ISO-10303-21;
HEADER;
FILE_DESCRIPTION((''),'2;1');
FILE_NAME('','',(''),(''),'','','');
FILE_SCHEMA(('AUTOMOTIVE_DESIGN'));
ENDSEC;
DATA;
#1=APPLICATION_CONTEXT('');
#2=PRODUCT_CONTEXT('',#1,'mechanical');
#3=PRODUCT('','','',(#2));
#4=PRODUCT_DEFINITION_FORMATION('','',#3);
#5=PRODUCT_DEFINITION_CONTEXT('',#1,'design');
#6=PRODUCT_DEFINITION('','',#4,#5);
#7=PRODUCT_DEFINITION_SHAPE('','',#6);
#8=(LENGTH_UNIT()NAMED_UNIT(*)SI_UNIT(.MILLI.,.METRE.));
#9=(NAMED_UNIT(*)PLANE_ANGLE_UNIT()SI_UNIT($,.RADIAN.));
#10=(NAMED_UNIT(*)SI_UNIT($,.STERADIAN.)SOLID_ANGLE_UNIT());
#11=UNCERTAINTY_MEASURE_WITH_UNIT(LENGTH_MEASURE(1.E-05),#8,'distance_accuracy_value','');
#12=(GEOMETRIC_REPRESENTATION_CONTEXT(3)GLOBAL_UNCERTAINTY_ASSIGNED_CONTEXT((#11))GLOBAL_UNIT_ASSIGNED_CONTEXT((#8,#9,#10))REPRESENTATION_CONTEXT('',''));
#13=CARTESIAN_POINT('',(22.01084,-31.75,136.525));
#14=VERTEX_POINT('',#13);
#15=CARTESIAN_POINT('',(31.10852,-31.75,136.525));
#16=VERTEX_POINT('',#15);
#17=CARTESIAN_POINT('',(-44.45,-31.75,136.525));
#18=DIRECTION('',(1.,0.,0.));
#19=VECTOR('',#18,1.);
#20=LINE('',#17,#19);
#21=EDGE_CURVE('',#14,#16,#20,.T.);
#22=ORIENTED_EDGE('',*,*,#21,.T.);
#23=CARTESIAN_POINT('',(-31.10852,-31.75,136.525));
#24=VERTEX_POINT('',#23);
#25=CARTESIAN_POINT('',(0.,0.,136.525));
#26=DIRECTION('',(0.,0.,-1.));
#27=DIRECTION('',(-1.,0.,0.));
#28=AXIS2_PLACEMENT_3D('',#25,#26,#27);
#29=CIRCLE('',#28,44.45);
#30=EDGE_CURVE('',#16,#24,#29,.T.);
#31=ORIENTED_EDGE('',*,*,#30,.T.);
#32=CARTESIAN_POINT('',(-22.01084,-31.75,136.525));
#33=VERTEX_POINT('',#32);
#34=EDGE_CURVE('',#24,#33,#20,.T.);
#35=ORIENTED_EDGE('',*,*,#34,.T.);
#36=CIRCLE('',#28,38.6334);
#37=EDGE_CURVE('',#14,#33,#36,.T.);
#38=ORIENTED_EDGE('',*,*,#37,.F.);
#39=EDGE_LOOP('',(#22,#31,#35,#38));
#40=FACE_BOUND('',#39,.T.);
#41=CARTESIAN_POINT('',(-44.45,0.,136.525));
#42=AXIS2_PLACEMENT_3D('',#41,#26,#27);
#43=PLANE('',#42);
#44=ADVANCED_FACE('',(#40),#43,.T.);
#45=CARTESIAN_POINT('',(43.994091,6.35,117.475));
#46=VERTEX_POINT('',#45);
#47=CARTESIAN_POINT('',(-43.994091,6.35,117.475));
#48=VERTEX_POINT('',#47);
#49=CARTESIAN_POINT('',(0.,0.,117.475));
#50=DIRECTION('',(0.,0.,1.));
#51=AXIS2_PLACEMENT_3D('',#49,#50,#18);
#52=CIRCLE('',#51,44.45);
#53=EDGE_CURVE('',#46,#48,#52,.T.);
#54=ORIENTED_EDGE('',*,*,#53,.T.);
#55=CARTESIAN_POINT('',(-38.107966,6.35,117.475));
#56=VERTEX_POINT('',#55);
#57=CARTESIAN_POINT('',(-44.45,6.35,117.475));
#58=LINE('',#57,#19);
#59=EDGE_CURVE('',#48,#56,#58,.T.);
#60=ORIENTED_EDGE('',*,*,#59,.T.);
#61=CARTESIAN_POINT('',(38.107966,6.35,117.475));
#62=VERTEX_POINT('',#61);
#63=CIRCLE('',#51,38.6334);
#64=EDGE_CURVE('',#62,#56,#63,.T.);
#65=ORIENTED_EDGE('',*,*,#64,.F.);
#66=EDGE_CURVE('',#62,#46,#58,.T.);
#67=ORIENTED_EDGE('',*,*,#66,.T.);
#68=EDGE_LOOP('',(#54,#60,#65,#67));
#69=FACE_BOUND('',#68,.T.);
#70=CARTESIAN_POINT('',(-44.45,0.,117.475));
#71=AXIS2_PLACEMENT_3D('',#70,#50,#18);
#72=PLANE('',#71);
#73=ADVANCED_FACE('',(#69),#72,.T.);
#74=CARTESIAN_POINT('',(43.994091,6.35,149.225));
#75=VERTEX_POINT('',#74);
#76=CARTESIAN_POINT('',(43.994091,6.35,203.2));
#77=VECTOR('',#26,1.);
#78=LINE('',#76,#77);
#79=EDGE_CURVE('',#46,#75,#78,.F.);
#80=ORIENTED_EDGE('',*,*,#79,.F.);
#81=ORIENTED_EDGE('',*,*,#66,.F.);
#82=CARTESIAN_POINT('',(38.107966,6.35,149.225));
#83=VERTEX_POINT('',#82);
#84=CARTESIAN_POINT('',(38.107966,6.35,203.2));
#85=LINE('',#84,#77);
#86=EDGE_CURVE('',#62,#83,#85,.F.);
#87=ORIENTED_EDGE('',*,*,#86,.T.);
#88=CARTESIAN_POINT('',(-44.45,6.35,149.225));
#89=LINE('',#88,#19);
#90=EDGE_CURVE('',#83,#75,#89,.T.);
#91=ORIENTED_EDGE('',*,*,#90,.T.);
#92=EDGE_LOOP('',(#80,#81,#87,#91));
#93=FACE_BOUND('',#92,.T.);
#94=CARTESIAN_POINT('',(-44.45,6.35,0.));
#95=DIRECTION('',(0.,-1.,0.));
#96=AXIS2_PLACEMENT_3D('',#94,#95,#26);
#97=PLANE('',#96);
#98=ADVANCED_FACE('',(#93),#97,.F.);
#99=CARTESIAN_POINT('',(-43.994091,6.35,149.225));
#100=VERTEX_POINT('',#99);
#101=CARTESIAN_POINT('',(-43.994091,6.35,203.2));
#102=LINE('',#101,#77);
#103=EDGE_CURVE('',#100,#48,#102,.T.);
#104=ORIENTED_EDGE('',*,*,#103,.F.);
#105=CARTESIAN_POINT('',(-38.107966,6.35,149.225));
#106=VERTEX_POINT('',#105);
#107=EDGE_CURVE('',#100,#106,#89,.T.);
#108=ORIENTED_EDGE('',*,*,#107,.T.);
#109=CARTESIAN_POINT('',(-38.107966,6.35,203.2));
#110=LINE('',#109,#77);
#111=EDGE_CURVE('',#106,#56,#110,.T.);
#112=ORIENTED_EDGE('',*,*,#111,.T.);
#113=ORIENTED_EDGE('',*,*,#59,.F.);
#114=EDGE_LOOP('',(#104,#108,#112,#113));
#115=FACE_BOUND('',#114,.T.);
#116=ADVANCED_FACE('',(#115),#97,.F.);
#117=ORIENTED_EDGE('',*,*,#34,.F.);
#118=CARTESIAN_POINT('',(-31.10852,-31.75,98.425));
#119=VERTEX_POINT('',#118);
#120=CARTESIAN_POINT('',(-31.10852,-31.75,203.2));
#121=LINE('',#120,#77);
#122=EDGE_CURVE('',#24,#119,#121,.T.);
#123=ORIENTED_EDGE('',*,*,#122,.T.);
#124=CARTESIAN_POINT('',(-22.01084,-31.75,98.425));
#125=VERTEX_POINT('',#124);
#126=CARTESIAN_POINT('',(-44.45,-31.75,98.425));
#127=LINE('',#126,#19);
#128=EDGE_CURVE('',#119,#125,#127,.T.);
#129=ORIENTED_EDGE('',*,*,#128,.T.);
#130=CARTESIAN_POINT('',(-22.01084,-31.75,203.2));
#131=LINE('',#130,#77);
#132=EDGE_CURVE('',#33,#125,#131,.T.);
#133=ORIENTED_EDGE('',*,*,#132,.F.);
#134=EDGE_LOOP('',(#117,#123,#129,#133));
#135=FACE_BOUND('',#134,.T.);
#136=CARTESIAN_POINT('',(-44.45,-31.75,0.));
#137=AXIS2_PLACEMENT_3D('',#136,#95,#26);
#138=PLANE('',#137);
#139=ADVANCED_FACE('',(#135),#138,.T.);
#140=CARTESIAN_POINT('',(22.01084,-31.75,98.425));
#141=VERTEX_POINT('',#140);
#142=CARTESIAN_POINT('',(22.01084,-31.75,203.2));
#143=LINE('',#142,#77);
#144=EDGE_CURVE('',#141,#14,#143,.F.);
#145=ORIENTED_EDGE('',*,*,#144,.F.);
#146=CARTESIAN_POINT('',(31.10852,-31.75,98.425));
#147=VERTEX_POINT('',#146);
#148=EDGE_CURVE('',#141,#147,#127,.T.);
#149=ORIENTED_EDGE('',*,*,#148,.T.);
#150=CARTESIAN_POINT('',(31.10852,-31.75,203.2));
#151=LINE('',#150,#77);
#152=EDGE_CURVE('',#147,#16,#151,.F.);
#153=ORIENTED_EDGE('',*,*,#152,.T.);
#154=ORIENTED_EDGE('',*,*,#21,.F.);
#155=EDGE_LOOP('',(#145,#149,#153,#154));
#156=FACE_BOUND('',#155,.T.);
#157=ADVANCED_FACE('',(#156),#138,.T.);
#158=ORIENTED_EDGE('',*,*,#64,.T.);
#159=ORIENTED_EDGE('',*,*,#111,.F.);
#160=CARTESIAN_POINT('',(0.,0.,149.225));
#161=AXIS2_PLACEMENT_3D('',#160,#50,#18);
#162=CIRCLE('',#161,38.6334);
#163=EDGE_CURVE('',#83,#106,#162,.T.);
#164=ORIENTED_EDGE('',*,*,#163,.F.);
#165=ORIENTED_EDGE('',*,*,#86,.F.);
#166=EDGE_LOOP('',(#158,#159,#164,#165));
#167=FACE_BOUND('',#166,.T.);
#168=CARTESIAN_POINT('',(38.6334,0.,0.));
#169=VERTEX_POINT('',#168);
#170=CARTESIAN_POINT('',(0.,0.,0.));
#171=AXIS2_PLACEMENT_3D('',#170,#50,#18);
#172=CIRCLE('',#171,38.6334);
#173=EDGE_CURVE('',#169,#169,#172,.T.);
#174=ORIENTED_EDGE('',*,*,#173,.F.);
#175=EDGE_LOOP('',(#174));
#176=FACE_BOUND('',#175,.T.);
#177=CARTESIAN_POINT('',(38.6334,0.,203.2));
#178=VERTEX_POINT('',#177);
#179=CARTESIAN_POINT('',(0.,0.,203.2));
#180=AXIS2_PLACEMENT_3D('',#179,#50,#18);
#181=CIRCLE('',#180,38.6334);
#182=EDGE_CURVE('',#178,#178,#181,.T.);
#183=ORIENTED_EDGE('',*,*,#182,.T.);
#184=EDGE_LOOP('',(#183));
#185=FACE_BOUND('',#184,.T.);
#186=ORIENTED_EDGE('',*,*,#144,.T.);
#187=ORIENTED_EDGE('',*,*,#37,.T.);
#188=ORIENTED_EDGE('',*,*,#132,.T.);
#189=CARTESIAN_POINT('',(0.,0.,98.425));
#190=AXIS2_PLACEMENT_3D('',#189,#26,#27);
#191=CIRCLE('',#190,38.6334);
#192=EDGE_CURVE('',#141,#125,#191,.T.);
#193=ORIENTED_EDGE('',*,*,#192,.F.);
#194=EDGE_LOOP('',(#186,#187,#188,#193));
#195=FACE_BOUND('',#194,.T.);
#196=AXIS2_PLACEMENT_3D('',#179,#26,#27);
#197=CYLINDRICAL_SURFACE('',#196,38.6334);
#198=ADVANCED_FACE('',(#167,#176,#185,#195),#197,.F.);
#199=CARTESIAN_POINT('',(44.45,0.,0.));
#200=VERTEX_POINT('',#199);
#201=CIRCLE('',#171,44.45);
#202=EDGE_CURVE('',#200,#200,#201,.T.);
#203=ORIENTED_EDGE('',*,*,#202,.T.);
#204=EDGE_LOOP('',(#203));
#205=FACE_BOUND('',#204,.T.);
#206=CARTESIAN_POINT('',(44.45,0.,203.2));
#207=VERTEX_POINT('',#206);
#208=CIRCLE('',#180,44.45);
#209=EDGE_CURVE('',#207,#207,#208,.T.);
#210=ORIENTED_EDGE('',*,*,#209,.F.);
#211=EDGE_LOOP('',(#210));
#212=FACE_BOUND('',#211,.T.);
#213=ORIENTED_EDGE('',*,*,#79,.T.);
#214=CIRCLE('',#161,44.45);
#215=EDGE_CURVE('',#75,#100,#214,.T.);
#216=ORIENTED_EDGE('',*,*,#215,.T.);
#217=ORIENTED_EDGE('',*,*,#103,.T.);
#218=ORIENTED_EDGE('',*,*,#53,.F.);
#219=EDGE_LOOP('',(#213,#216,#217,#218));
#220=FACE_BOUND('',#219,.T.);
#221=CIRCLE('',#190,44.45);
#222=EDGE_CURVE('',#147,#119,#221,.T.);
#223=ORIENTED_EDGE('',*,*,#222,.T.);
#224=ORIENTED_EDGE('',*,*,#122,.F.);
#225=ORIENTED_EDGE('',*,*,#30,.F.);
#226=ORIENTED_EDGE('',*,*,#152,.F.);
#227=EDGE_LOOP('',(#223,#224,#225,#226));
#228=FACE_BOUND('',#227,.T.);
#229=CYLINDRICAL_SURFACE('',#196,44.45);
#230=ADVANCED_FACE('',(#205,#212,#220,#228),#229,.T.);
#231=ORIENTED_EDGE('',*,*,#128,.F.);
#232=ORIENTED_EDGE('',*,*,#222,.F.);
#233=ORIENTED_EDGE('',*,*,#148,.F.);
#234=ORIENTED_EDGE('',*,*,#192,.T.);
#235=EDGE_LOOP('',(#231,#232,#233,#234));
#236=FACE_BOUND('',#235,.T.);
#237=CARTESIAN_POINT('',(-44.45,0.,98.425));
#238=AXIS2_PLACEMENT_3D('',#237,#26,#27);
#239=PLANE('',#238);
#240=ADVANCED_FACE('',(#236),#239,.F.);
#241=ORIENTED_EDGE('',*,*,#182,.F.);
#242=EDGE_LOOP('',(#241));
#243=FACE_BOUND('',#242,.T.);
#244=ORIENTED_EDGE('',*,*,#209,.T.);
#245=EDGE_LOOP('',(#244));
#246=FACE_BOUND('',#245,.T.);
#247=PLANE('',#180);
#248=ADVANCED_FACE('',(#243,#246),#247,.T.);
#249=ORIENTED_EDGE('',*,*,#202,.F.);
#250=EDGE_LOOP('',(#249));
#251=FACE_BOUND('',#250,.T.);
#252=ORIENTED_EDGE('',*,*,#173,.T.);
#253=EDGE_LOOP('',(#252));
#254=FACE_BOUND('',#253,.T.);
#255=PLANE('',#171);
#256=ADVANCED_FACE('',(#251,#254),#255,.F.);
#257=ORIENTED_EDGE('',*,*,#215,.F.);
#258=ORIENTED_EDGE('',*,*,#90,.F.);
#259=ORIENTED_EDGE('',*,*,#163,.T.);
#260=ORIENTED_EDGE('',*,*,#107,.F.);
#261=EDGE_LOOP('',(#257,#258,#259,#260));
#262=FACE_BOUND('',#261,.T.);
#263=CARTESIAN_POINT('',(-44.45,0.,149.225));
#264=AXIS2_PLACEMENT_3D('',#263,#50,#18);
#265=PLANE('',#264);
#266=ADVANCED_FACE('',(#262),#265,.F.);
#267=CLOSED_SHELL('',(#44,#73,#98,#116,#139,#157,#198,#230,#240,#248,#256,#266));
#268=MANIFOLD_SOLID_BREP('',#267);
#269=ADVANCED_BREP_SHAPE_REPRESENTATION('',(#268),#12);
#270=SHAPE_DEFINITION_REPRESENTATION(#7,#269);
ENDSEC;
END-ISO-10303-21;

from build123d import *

# Parameters (mm, degrees)
SKETCH1_R              = 44.45
SKETCH1_R_2            = 38.6334
BASE_DEPTH             = 203.2
SKETCH2_W              = 31.75
SKETCH2_H              = 38.1
SANDING_CUT_DEPTH      = 45.45
SANDING_CUT_DEPTH_BACK = 45.45
SKETCH3_W              = 38.1
SKETCH3_H              = 12.7
SERVO_CUT_DEPTH        = 45.45
SERVO_CUT_DEPTH_BACK   = 45.45


with BuildPart() as part:
    # Sketch1 → base (new body)
    with BuildSketch(Plane.XY):
        Circle(SKETCH1_R)
        Circle(SKETCH1_R_2, mode=Mode.SUBTRACT)
    extrude(amount=BASE_DEPTH)

    # Sketch2 → sanding cut (cut, two sides)
    with BuildSketch(Plane(origin=(0, 0, 0), x_dir=(0, 0, -1), z_dir=(1, 0, 0))) as sanding_cut_sk:
        with Locations((-133.35, 25.4)):
            Rectangle(SKETCH2_W, SKETCH2_H)
    extrude(amount=SANDING_CUT_DEPTH, mode=Mode.SUBTRACT)
    extrude(sanding_cut_sk.sketch, amount=-SANDING_CUT_DEPTH_BACK, mode=Mode.SUBTRACT)

    # Sketch3 → servo cut (cut, two sides)
    with BuildSketch(Plane(origin=(0, 0, 0), x_dir=(0, 0, -1), z_dir=(1, 0, 0))) as servo_cut_sk:
        with Locations((-117.475, -38.1)):
            Rectangle(SKETCH3_W, SKETCH3_H)
    extrude(amount=SERVO_CUT_DEPTH, mode=Mode.SUBTRACT)
    extrude(servo_cut_sk.sketch, amount=-SERVO_CUT_DEPTH_BACK, mode=Mode.SUBTRACT)


solid = part.part
